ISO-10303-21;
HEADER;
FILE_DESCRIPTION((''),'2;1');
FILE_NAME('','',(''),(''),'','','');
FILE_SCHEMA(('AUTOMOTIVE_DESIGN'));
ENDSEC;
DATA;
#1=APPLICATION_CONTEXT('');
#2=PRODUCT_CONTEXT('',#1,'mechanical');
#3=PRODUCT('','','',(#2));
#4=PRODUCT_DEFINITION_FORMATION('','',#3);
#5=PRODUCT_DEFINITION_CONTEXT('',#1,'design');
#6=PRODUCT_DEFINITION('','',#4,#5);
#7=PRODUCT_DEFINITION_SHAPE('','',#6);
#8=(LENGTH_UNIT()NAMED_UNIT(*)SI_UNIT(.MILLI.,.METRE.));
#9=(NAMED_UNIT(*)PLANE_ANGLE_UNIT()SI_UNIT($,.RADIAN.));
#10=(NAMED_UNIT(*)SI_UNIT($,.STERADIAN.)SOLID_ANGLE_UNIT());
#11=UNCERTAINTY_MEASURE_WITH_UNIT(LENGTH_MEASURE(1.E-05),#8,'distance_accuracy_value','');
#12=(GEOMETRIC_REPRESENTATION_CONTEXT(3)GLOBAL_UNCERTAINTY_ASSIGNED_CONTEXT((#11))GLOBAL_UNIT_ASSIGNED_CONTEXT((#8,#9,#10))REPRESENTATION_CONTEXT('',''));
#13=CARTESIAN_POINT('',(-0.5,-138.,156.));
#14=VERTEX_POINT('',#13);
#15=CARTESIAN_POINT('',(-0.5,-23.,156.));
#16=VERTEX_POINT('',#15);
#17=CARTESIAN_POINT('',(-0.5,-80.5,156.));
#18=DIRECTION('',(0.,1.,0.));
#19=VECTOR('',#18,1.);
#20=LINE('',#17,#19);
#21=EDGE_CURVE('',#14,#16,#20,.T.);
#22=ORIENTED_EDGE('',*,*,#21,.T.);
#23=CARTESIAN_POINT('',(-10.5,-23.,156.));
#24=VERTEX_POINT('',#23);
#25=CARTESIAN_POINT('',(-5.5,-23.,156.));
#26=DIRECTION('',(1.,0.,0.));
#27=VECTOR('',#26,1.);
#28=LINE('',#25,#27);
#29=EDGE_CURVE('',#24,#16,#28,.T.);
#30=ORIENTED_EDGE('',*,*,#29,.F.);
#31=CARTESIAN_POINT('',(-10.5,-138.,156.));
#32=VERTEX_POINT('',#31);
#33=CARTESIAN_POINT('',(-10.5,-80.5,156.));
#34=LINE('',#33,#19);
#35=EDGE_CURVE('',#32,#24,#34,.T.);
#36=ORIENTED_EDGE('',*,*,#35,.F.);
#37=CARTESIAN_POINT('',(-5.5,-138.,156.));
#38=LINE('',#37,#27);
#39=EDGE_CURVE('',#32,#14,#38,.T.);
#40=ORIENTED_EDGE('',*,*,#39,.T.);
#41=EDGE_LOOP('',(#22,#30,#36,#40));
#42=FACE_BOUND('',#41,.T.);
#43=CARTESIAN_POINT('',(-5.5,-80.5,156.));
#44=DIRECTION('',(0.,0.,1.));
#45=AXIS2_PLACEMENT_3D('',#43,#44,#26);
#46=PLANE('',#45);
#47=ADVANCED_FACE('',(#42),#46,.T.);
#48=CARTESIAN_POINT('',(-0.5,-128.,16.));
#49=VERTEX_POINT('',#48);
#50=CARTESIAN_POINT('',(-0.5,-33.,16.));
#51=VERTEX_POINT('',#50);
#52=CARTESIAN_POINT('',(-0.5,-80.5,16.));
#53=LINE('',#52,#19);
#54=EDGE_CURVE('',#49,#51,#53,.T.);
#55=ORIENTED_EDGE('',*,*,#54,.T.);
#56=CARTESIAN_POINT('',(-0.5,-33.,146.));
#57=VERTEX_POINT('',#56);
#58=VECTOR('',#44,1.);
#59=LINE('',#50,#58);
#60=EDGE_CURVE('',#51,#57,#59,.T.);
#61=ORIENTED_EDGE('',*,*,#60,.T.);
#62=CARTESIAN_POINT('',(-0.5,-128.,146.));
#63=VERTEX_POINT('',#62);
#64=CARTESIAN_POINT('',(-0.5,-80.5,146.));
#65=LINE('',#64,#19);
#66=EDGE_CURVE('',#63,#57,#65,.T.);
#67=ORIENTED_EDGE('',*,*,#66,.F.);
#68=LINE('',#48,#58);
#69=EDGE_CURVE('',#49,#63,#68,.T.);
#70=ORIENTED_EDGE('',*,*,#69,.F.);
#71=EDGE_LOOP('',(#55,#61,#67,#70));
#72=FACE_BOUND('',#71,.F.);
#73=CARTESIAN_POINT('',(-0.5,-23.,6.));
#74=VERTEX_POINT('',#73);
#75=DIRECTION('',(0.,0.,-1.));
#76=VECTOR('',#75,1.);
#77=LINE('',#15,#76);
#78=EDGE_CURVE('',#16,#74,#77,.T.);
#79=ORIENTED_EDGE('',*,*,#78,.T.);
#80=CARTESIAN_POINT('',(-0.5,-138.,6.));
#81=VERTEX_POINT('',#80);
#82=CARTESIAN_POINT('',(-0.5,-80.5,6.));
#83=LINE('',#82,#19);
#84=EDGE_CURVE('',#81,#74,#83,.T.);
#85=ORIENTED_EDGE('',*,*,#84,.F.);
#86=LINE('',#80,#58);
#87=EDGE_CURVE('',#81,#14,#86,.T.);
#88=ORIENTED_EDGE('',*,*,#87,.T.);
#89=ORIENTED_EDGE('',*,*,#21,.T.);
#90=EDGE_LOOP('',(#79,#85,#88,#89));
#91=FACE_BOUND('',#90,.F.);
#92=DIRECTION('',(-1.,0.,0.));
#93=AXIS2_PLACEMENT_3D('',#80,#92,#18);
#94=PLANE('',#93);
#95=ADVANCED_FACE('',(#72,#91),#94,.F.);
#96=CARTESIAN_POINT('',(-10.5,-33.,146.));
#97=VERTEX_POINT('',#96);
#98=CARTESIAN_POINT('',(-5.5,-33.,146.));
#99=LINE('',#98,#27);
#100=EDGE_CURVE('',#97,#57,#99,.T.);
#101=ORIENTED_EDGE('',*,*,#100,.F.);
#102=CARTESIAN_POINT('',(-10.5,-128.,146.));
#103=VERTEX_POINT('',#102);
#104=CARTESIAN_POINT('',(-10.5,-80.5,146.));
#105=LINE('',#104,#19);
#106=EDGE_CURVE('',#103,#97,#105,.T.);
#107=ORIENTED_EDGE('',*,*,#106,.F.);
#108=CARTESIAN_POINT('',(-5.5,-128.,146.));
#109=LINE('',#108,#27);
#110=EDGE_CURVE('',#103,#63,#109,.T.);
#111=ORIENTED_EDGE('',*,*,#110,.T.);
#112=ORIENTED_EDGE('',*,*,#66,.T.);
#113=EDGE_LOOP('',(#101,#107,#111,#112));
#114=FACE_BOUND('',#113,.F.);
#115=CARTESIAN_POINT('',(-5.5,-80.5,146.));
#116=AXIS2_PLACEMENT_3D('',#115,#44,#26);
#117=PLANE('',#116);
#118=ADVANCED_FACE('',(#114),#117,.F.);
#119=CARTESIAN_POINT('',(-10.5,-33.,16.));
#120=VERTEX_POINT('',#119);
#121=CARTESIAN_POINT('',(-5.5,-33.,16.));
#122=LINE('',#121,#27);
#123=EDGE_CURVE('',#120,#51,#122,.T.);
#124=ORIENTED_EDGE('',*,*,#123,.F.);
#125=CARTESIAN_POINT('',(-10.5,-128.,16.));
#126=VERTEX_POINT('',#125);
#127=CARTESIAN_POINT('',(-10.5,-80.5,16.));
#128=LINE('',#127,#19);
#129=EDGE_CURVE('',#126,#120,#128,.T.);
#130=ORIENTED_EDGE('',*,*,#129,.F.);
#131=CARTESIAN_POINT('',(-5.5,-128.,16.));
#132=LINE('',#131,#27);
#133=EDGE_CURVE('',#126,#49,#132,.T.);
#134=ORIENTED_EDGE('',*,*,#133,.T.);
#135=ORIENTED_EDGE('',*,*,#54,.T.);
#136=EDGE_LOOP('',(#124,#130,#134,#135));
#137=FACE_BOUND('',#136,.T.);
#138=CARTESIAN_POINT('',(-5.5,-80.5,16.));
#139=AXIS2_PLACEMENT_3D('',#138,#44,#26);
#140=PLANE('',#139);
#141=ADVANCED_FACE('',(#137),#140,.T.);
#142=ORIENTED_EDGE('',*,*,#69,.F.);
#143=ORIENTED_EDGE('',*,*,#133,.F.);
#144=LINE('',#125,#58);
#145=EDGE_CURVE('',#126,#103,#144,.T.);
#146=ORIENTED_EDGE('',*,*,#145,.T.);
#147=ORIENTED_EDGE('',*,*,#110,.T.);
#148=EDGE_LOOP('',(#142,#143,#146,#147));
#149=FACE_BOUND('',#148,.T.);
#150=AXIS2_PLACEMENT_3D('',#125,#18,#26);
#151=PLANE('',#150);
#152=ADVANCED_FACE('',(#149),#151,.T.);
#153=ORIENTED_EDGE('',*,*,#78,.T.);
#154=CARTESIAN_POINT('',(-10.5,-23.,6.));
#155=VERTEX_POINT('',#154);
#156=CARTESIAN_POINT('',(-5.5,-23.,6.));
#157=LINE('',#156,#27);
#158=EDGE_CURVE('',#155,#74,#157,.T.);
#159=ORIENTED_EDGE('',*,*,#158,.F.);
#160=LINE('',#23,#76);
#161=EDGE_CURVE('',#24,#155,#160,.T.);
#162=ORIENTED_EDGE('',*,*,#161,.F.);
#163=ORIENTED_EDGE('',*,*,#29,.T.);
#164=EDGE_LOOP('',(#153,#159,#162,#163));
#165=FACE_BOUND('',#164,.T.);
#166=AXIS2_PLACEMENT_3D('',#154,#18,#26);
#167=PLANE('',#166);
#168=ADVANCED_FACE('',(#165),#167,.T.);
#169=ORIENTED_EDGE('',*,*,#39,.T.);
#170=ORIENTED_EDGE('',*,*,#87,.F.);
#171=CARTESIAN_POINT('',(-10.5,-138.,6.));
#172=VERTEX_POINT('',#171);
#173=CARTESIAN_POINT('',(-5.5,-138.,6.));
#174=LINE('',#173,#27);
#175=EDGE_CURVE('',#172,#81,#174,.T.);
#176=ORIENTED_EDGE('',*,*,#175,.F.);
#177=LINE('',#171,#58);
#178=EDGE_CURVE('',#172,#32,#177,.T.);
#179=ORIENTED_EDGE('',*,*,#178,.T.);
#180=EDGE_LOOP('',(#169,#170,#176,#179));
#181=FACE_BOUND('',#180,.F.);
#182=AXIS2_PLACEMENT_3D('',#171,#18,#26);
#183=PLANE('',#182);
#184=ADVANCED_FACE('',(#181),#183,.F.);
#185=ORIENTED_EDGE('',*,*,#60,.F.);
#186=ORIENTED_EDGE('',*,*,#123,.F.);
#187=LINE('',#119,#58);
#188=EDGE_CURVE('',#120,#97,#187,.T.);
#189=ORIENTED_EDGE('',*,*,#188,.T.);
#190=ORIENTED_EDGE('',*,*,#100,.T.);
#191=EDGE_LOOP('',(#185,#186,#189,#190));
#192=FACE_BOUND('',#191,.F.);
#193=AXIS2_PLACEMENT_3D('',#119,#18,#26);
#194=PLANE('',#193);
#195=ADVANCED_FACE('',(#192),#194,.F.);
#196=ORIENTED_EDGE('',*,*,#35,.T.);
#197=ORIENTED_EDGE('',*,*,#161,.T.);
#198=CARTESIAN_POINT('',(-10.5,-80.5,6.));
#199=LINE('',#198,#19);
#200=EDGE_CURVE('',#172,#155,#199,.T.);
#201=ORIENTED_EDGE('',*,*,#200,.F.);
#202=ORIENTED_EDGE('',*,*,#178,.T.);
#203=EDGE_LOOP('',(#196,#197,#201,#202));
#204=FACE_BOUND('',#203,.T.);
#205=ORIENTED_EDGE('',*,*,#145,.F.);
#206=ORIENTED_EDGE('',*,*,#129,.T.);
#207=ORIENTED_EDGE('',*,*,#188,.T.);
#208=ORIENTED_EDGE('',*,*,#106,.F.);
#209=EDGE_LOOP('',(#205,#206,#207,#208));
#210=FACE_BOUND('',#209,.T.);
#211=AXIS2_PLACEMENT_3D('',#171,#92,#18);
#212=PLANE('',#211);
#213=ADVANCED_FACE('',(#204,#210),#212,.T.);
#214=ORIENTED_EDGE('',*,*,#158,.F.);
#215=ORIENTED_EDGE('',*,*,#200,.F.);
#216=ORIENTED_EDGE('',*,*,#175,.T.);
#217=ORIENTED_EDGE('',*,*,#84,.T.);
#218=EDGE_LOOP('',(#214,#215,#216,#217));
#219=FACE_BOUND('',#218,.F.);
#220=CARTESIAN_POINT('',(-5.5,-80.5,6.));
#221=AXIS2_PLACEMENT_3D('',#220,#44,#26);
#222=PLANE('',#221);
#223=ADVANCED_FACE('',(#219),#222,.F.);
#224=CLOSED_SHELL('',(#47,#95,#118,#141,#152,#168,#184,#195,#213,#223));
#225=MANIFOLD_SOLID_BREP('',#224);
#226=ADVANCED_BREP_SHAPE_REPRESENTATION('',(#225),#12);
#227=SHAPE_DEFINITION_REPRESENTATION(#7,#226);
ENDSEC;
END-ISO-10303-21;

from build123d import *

# Parameters (mm, degrees)
BOX049_W     = 10
BOX049_H     = 10
BOX049_DEPTH = 130
BOX050_W     = 10
BOX050_H     = 115
BOX050_DEPTH = 10
BOX051_W     = 10
BOX051_H     = 115
BOX051_DEPTH = 10
BOX048_W     = 10
BOX048_H     = 10
BOX048_DEPTH = 130


with BuildPart() as cubo012:
    # Box049 → Box049 (new body)
    with BuildSketch(Plane(origin=(-37, 115, 15), x_dir=(1, 0, 0), z_dir=(0, 0, 1))):
        with Locations((5, 5)):
            Rectangle(BOX049_W, BOX049_H)
    extrude(amount=BOX049_DEPTH)


with BuildPart() as cubo013:
    # Box050 → Box050 (new body)
    with BuildSketch(Plane(origin=(-37, 115, 145), x_dir=(1, 0, 0), z_dir=(0, 0, 1))):
        with Locations((5, 57.5)):
            Rectangle(BOX050_W, BOX050_H)
    extrude(amount=BOX050_DEPTH)


with BuildPart() as cubo014:
    # Box051 → Box051 (new body)
    with BuildSketch(Plane(origin=(-37, 115, 5), x_dir=(1, 0, 0), z_dir=(0, 0, 1))):
        with Locations((5, 57.5)):
            Rectangle(BOX051_W, BOX051_H)
    extrude(amount=BOX051_DEPTH)


with BuildPart() as fusion007:
    # Box048 → Box048 (new body)
    with BuildSketch(Plane(origin=(-37, 220, 15), x_dir=(1, 0, 0), z_dir=(0, 0, 1))):
        with Locations((5, 5)):
            Rectangle(BOX048_W, BOX048_H)
    extrude(amount=BOX048_DEPTH)

    # Fusion007: union Cubo012, Cubo013, Cubo014
    add(cubo012.part)
    add(cubo013.part)
    add(cubo014.part)


with BuildPart() as fusion007_1:
    # Fusion007 placement: moved
    add(fusion007.part.moved(Location((26.5, -253, 1))))


solid = fusion007_1.part
